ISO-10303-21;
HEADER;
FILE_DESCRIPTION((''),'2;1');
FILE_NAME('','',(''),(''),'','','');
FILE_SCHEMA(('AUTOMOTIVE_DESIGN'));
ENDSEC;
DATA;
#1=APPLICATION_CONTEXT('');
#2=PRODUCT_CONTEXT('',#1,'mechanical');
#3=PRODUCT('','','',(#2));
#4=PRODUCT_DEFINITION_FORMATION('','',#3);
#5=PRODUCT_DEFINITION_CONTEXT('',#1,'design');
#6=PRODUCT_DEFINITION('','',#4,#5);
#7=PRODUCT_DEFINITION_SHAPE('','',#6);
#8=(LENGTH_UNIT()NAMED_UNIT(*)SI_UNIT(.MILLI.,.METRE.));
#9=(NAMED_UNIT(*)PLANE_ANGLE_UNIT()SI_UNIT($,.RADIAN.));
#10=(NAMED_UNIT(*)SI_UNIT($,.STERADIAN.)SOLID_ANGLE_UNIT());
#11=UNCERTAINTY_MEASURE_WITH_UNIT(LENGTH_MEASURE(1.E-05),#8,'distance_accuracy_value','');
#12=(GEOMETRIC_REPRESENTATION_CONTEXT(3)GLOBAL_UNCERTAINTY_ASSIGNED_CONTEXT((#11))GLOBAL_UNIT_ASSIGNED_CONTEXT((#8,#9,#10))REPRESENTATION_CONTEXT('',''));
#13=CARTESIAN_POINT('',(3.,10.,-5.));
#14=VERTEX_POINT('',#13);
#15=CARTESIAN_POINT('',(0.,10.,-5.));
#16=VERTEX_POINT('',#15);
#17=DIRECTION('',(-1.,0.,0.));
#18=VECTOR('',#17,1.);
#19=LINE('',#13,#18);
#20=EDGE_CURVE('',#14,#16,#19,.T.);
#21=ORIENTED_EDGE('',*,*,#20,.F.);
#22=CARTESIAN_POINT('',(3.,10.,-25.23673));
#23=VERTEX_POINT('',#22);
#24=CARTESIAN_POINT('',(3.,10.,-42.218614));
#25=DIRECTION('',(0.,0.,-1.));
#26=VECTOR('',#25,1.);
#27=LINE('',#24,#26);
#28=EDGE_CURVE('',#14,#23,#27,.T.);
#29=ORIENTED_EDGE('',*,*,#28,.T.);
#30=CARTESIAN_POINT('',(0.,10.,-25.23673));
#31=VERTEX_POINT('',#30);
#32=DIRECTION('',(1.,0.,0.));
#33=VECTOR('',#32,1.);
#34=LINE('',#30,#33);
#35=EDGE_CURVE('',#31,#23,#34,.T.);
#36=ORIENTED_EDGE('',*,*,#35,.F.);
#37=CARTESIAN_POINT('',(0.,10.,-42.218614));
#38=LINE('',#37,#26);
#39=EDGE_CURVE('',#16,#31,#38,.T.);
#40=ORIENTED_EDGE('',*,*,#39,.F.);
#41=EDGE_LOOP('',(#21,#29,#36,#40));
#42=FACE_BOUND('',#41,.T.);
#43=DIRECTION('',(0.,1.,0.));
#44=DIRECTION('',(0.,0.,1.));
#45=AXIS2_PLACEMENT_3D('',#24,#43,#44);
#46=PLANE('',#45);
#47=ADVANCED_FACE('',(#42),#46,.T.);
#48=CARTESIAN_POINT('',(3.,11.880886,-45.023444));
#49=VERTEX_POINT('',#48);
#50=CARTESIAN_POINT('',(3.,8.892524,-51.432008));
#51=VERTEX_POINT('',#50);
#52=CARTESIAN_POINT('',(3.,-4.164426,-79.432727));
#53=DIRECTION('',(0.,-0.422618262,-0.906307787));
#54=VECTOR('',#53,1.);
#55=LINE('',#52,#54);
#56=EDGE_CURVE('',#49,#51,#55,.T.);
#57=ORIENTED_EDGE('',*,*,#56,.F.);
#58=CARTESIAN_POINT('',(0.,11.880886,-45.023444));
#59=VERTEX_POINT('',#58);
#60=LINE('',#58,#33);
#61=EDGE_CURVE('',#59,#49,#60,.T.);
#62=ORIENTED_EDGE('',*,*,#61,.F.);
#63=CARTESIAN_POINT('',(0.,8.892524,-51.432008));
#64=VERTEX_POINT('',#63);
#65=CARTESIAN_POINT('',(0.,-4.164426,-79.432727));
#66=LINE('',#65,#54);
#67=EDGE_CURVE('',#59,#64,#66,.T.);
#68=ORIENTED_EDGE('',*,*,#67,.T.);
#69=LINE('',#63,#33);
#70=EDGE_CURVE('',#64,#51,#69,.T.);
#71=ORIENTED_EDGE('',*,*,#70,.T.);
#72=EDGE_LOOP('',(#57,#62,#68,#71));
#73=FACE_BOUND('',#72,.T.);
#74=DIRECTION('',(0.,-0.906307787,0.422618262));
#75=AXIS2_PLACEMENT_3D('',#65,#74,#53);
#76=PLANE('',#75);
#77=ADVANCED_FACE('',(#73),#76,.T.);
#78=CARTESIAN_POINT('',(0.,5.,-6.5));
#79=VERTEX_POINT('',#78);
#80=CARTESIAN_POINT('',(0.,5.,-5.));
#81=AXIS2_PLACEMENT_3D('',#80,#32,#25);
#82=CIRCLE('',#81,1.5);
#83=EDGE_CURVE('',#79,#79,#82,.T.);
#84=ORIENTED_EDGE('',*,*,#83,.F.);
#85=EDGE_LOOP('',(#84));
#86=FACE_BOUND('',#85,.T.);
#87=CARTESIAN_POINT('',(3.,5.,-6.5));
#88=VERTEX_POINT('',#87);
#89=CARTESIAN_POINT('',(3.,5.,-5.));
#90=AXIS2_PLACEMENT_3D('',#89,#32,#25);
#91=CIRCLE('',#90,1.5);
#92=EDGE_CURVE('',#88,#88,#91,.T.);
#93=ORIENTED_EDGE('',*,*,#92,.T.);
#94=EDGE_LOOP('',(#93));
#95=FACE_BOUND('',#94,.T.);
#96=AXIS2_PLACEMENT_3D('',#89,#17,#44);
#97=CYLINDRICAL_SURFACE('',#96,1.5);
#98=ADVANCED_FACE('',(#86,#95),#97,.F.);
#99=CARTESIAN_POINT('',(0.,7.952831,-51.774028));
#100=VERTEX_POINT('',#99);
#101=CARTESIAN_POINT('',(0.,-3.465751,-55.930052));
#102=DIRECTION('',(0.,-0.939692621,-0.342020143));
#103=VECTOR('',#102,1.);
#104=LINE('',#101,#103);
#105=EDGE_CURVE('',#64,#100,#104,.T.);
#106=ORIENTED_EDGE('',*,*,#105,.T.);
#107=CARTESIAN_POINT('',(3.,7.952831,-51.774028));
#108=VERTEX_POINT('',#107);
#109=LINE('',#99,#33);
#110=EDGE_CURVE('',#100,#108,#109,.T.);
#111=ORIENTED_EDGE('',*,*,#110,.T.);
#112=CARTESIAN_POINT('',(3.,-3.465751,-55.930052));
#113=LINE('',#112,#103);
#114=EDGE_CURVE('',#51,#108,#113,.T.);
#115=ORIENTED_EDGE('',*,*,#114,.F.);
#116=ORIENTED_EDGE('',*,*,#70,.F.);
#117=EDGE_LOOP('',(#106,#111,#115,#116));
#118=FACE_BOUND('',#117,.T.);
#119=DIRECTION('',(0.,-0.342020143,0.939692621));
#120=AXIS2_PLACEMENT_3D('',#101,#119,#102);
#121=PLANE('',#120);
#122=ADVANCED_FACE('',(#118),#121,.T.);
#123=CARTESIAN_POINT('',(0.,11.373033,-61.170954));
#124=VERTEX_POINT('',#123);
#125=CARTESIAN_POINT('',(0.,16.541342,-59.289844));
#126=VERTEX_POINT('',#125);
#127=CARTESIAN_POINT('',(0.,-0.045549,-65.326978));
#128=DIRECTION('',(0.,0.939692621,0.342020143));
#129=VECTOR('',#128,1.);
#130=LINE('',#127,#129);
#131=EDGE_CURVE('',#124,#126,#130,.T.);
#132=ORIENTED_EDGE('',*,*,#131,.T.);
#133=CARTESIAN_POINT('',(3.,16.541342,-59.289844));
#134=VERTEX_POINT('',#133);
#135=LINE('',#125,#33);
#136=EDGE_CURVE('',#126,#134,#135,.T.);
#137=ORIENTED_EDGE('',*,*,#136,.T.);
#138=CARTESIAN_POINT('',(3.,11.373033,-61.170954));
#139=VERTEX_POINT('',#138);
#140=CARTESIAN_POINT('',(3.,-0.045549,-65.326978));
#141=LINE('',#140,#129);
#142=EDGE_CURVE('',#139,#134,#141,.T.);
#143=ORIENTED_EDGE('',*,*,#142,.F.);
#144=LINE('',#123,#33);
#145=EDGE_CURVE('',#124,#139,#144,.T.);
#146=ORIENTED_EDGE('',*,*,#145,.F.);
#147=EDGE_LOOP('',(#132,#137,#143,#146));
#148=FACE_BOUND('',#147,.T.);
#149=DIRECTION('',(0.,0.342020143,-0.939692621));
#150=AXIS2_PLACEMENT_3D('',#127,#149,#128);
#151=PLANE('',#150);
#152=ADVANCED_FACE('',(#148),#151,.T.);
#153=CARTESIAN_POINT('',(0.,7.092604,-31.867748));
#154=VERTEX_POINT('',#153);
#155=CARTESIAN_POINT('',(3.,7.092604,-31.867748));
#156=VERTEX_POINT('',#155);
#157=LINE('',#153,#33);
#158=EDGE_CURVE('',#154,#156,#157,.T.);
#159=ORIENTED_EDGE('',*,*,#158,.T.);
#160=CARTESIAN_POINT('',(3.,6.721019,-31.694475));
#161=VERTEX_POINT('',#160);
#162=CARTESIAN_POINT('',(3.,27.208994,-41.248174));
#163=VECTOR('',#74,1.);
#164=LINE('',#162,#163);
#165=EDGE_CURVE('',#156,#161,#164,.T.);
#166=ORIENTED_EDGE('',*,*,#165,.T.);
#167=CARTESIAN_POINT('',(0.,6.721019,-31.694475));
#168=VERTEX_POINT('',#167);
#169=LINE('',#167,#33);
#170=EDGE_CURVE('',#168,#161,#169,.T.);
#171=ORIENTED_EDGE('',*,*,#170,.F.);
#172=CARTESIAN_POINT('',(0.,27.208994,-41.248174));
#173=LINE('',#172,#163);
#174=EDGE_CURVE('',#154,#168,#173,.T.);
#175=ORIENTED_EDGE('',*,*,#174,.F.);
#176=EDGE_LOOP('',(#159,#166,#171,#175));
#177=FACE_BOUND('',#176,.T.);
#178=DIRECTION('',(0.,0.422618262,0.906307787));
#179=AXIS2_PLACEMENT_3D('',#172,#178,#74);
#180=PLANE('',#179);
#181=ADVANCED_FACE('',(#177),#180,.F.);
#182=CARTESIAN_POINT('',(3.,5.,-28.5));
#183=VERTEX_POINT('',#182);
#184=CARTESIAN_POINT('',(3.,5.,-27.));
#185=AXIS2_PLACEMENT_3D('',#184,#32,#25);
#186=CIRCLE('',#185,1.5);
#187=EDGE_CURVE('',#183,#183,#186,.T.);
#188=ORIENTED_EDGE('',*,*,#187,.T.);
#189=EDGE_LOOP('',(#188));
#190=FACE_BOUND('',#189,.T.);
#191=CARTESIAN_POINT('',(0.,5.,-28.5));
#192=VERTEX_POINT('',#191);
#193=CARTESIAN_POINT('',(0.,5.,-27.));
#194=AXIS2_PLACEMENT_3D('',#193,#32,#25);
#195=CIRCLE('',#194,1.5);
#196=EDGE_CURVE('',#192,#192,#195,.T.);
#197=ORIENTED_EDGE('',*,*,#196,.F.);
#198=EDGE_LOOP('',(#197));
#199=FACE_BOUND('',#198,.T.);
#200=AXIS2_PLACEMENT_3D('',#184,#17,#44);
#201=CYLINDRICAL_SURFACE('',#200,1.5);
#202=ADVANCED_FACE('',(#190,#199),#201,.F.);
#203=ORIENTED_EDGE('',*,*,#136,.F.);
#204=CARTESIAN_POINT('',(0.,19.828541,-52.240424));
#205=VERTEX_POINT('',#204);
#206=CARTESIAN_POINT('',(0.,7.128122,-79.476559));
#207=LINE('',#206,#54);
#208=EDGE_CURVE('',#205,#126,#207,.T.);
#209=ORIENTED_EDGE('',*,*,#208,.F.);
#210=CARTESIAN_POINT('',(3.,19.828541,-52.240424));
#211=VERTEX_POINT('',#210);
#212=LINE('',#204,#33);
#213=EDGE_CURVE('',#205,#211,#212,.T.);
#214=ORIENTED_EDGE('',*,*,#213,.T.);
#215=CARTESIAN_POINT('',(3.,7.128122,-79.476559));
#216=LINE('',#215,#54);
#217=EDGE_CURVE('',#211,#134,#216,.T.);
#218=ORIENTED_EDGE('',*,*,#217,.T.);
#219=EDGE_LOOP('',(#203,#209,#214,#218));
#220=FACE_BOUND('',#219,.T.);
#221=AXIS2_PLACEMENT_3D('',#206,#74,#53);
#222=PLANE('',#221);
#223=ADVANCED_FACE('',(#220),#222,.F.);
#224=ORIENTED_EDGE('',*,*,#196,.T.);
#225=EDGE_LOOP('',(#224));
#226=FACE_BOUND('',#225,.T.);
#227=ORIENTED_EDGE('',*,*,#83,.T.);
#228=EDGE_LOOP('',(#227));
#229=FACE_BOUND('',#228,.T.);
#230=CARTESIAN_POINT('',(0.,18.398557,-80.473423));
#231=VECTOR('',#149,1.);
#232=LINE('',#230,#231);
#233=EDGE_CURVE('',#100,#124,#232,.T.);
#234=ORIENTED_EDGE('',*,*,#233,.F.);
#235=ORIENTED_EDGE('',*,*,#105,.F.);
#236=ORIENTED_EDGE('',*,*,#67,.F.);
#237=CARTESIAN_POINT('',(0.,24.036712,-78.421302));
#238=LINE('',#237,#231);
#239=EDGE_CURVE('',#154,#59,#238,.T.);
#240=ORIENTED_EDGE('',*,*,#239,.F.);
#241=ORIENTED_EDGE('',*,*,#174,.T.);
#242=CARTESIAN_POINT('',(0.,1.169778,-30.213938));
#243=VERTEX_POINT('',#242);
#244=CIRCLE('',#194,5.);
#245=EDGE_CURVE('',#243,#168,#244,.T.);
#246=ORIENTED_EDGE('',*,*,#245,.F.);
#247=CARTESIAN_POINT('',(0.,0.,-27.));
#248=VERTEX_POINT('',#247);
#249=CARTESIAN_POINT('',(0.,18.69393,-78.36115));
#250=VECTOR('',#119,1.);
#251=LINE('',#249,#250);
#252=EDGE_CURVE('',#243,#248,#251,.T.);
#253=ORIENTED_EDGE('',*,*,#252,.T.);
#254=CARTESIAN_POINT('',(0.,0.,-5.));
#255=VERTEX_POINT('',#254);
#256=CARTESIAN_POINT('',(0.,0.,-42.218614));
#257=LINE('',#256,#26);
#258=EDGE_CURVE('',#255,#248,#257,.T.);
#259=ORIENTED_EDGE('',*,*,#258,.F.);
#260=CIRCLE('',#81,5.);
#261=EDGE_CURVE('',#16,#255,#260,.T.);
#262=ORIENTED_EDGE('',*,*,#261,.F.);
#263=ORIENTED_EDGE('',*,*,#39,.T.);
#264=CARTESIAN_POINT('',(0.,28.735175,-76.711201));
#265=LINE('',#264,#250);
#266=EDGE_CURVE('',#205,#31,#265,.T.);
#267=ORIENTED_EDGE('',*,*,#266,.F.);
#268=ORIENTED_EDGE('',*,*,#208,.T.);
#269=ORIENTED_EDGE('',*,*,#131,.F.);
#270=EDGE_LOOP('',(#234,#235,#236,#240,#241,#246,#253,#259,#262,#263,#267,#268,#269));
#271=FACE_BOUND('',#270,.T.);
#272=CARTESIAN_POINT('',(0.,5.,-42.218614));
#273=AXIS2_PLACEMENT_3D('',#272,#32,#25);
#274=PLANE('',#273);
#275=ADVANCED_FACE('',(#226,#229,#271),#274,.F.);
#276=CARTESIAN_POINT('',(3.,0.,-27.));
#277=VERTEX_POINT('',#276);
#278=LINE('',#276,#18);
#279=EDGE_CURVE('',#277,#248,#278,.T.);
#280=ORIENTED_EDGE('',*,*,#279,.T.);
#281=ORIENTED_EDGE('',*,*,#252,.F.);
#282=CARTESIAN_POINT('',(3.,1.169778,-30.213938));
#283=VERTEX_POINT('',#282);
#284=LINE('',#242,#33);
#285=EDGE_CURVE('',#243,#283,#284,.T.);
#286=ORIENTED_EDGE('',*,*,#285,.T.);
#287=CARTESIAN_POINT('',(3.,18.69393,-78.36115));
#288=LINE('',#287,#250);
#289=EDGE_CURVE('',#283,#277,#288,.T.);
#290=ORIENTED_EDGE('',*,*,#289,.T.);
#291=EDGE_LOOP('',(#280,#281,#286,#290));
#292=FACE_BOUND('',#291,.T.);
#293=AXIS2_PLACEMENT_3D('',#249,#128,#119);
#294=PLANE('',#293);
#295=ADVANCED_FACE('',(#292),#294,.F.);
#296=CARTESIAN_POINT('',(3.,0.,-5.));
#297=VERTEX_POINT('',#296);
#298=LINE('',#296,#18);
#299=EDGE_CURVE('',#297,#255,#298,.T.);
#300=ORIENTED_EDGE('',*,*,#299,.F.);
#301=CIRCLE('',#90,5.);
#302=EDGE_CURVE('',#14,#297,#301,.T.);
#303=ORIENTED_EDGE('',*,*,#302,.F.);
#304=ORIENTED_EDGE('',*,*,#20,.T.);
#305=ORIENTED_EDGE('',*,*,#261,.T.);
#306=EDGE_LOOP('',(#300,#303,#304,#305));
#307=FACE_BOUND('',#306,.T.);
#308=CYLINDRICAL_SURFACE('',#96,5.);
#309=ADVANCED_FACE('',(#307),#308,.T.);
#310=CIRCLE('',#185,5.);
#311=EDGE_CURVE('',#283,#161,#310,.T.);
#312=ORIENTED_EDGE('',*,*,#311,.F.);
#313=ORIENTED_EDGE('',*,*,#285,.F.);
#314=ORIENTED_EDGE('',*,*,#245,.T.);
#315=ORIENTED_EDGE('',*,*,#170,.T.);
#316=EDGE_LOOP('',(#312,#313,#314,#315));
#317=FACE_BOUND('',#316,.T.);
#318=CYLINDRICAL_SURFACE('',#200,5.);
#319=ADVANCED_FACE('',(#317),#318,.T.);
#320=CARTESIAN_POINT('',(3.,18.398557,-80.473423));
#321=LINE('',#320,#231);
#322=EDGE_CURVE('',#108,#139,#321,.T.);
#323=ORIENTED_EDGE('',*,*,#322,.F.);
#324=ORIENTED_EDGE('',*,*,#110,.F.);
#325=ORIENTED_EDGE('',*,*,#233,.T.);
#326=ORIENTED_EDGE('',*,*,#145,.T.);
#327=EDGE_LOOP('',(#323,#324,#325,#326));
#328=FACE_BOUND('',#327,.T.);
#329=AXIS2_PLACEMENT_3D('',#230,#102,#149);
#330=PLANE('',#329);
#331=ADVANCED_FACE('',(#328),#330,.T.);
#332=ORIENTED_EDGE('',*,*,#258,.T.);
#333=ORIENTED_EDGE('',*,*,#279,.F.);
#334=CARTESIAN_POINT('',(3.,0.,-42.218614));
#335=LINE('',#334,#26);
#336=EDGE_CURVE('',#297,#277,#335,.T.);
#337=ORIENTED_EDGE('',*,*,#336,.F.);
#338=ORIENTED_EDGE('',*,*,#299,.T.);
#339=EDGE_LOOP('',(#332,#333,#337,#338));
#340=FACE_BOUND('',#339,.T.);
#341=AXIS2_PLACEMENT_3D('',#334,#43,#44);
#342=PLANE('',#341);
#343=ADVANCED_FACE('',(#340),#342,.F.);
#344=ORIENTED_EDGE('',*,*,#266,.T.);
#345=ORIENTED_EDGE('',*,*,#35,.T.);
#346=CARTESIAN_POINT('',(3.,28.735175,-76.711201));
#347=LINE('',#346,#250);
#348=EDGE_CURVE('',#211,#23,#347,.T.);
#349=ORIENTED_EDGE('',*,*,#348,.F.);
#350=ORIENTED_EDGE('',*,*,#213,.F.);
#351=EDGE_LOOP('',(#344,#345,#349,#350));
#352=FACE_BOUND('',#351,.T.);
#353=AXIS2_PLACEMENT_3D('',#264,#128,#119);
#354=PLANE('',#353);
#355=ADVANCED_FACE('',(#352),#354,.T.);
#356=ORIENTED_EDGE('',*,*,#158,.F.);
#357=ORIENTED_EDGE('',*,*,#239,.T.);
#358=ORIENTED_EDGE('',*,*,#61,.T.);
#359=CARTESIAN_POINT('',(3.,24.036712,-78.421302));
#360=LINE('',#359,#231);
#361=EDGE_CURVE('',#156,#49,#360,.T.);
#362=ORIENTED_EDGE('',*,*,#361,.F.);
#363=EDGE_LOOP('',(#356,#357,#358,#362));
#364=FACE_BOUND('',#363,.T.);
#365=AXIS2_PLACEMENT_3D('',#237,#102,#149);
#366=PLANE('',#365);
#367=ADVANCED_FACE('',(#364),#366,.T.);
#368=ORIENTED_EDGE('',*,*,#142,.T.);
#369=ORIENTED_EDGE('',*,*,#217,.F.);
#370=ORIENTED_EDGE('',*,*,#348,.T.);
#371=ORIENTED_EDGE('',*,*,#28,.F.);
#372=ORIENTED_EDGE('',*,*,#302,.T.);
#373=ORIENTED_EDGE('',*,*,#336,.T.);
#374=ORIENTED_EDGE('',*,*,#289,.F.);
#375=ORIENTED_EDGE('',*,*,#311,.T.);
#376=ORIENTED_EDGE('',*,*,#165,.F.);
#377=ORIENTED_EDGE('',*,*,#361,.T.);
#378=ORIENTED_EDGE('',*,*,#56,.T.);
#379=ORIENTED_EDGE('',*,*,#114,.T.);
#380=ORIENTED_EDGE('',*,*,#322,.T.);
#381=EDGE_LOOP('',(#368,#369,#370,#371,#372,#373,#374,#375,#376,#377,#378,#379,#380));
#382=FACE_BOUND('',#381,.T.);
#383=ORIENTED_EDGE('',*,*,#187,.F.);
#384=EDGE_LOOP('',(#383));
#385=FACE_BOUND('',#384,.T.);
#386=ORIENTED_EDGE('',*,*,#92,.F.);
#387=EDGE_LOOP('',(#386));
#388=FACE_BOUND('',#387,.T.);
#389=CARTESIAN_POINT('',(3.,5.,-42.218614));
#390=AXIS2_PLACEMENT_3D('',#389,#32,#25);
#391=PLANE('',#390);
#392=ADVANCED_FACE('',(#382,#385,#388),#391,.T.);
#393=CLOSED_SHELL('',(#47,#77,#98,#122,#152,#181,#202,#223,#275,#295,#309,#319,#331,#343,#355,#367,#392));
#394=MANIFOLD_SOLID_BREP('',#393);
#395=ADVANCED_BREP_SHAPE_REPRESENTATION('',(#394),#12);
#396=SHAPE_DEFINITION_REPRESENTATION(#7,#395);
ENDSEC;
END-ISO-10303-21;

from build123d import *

# Parameters (mm, degrees)
SKETCH1_R           = 5
SKETCH1_R_2         = 1.5
BOSS_EXTRUDE1_DEPTH = 3
BOSS_EXTRUDE2_DEPTH = 3
CUT_EXTRUDE1_DEPTH  = 3
CUT_EXTRUDE2_DEPTH  = 4


with BuildPart() as part:
    # Sketch1 → Boss-Extrude1 (new body)
    with BuildSketch(Plane(origin=(0, 0, 0), x_dir=(0, 0, -1), z_dir=(1, 0, 0))):
        with Locations((5, 5)):
            Circle(SKETCH1_R)
        with Locations((5, 5)):
            Circle(SKETCH1_R_2, mode=Mode.SUBTRACT)
        with BuildLine():
            ThreePointArc((10, 5), (8.535533906, 1.464466094), (5, 0))
            Line((5, 0), (27, 0))
            ThreePointArc((27, 0), (22, 5), (27, 10))
            Line((27, 10), (5, 10))
            ThreePointArc((5, 10), (8.535533906, 8.535533906), (10, 5))
        make_face()
        with Locations((27, 5)):
            Circle(SKETCH1_R)
        with Locations((27, 5)):
            Circle(SKETCH1_R_2, mode=Mode.SUBTRACT)
    extrude(amount=BOSS_EXTRUDE1_DEPTH)

    # Sketch2 → Boss-Extrude2 (add)
    with BuildSketch(Plane(origin=(3, 0, 0), x_dir=(0, 0, -1), z_dir=(1, 0, 0))):
        with BuildLine():
            ThreePointArc((27, 10), (29.863119288, 9.099091112), (31.69447473, 6.721019177))
            Line((31.69447473, 6.721019177), (31.867747629, 7.092604107))
            Line((31.867747629, 7.092604107), (45.02344432, 11.880886114))
            Line((45.02344432, 11.880886114), (51.43200814, 8.892523726))
            Line((51.43200814, 8.892523726), (60.828934348, 12.31272516))
            Line((60.828934348, 12.31272516), (57.408732915, 21.709651368))
            Line((57.408732915, 21.709651368), (25.236730193, 10))
            Line((25.236730193, 10), (27, 10))
        make_face()
        Polygon((60.828934348, 12.31272516), (51.43200814, 8.892523726), (51.774028284, 7.952831106), (61.170954492, 11.373032539), align=None)
    extrude(amount=-BOSS_EXTRUDE2_DEPTH)

    # Sketch3 → Cut-Extrude1 (cut)
    with BuildSketch(Plane(origin=(3, 0, 0), x_dir=(0, 0, -1), z_dir=(1, 0, 0))):
        with BuildLine():
            ThreePointArc((27, 0), (28.710100717, 0.301536896), (30.213938048, 1.169777784))
            Line((30.213938048, 1.169777784), (27, 0))
        make_face()
    extrude(amount=-CUT_EXTRUDE1_DEPTH, mode=Mode.SUBTRACT)

    # Sketch4 → Cut-Extrude2 (cut, through all)
    with BuildSketch(Plane(origin=(3, 0, 0), x_dir=(0, 0, -1), z_dir=(1, 0, 0))):
        Polygon((57.408732915, 21.709651368), (52.240423501, 19.828540579), (59.289843703, 16.541341953), align=None)
    extrude(amount=-CUT_EXTRUDE2_DEPTH, mode=Mode.SUBTRACT)


solid = part.part
